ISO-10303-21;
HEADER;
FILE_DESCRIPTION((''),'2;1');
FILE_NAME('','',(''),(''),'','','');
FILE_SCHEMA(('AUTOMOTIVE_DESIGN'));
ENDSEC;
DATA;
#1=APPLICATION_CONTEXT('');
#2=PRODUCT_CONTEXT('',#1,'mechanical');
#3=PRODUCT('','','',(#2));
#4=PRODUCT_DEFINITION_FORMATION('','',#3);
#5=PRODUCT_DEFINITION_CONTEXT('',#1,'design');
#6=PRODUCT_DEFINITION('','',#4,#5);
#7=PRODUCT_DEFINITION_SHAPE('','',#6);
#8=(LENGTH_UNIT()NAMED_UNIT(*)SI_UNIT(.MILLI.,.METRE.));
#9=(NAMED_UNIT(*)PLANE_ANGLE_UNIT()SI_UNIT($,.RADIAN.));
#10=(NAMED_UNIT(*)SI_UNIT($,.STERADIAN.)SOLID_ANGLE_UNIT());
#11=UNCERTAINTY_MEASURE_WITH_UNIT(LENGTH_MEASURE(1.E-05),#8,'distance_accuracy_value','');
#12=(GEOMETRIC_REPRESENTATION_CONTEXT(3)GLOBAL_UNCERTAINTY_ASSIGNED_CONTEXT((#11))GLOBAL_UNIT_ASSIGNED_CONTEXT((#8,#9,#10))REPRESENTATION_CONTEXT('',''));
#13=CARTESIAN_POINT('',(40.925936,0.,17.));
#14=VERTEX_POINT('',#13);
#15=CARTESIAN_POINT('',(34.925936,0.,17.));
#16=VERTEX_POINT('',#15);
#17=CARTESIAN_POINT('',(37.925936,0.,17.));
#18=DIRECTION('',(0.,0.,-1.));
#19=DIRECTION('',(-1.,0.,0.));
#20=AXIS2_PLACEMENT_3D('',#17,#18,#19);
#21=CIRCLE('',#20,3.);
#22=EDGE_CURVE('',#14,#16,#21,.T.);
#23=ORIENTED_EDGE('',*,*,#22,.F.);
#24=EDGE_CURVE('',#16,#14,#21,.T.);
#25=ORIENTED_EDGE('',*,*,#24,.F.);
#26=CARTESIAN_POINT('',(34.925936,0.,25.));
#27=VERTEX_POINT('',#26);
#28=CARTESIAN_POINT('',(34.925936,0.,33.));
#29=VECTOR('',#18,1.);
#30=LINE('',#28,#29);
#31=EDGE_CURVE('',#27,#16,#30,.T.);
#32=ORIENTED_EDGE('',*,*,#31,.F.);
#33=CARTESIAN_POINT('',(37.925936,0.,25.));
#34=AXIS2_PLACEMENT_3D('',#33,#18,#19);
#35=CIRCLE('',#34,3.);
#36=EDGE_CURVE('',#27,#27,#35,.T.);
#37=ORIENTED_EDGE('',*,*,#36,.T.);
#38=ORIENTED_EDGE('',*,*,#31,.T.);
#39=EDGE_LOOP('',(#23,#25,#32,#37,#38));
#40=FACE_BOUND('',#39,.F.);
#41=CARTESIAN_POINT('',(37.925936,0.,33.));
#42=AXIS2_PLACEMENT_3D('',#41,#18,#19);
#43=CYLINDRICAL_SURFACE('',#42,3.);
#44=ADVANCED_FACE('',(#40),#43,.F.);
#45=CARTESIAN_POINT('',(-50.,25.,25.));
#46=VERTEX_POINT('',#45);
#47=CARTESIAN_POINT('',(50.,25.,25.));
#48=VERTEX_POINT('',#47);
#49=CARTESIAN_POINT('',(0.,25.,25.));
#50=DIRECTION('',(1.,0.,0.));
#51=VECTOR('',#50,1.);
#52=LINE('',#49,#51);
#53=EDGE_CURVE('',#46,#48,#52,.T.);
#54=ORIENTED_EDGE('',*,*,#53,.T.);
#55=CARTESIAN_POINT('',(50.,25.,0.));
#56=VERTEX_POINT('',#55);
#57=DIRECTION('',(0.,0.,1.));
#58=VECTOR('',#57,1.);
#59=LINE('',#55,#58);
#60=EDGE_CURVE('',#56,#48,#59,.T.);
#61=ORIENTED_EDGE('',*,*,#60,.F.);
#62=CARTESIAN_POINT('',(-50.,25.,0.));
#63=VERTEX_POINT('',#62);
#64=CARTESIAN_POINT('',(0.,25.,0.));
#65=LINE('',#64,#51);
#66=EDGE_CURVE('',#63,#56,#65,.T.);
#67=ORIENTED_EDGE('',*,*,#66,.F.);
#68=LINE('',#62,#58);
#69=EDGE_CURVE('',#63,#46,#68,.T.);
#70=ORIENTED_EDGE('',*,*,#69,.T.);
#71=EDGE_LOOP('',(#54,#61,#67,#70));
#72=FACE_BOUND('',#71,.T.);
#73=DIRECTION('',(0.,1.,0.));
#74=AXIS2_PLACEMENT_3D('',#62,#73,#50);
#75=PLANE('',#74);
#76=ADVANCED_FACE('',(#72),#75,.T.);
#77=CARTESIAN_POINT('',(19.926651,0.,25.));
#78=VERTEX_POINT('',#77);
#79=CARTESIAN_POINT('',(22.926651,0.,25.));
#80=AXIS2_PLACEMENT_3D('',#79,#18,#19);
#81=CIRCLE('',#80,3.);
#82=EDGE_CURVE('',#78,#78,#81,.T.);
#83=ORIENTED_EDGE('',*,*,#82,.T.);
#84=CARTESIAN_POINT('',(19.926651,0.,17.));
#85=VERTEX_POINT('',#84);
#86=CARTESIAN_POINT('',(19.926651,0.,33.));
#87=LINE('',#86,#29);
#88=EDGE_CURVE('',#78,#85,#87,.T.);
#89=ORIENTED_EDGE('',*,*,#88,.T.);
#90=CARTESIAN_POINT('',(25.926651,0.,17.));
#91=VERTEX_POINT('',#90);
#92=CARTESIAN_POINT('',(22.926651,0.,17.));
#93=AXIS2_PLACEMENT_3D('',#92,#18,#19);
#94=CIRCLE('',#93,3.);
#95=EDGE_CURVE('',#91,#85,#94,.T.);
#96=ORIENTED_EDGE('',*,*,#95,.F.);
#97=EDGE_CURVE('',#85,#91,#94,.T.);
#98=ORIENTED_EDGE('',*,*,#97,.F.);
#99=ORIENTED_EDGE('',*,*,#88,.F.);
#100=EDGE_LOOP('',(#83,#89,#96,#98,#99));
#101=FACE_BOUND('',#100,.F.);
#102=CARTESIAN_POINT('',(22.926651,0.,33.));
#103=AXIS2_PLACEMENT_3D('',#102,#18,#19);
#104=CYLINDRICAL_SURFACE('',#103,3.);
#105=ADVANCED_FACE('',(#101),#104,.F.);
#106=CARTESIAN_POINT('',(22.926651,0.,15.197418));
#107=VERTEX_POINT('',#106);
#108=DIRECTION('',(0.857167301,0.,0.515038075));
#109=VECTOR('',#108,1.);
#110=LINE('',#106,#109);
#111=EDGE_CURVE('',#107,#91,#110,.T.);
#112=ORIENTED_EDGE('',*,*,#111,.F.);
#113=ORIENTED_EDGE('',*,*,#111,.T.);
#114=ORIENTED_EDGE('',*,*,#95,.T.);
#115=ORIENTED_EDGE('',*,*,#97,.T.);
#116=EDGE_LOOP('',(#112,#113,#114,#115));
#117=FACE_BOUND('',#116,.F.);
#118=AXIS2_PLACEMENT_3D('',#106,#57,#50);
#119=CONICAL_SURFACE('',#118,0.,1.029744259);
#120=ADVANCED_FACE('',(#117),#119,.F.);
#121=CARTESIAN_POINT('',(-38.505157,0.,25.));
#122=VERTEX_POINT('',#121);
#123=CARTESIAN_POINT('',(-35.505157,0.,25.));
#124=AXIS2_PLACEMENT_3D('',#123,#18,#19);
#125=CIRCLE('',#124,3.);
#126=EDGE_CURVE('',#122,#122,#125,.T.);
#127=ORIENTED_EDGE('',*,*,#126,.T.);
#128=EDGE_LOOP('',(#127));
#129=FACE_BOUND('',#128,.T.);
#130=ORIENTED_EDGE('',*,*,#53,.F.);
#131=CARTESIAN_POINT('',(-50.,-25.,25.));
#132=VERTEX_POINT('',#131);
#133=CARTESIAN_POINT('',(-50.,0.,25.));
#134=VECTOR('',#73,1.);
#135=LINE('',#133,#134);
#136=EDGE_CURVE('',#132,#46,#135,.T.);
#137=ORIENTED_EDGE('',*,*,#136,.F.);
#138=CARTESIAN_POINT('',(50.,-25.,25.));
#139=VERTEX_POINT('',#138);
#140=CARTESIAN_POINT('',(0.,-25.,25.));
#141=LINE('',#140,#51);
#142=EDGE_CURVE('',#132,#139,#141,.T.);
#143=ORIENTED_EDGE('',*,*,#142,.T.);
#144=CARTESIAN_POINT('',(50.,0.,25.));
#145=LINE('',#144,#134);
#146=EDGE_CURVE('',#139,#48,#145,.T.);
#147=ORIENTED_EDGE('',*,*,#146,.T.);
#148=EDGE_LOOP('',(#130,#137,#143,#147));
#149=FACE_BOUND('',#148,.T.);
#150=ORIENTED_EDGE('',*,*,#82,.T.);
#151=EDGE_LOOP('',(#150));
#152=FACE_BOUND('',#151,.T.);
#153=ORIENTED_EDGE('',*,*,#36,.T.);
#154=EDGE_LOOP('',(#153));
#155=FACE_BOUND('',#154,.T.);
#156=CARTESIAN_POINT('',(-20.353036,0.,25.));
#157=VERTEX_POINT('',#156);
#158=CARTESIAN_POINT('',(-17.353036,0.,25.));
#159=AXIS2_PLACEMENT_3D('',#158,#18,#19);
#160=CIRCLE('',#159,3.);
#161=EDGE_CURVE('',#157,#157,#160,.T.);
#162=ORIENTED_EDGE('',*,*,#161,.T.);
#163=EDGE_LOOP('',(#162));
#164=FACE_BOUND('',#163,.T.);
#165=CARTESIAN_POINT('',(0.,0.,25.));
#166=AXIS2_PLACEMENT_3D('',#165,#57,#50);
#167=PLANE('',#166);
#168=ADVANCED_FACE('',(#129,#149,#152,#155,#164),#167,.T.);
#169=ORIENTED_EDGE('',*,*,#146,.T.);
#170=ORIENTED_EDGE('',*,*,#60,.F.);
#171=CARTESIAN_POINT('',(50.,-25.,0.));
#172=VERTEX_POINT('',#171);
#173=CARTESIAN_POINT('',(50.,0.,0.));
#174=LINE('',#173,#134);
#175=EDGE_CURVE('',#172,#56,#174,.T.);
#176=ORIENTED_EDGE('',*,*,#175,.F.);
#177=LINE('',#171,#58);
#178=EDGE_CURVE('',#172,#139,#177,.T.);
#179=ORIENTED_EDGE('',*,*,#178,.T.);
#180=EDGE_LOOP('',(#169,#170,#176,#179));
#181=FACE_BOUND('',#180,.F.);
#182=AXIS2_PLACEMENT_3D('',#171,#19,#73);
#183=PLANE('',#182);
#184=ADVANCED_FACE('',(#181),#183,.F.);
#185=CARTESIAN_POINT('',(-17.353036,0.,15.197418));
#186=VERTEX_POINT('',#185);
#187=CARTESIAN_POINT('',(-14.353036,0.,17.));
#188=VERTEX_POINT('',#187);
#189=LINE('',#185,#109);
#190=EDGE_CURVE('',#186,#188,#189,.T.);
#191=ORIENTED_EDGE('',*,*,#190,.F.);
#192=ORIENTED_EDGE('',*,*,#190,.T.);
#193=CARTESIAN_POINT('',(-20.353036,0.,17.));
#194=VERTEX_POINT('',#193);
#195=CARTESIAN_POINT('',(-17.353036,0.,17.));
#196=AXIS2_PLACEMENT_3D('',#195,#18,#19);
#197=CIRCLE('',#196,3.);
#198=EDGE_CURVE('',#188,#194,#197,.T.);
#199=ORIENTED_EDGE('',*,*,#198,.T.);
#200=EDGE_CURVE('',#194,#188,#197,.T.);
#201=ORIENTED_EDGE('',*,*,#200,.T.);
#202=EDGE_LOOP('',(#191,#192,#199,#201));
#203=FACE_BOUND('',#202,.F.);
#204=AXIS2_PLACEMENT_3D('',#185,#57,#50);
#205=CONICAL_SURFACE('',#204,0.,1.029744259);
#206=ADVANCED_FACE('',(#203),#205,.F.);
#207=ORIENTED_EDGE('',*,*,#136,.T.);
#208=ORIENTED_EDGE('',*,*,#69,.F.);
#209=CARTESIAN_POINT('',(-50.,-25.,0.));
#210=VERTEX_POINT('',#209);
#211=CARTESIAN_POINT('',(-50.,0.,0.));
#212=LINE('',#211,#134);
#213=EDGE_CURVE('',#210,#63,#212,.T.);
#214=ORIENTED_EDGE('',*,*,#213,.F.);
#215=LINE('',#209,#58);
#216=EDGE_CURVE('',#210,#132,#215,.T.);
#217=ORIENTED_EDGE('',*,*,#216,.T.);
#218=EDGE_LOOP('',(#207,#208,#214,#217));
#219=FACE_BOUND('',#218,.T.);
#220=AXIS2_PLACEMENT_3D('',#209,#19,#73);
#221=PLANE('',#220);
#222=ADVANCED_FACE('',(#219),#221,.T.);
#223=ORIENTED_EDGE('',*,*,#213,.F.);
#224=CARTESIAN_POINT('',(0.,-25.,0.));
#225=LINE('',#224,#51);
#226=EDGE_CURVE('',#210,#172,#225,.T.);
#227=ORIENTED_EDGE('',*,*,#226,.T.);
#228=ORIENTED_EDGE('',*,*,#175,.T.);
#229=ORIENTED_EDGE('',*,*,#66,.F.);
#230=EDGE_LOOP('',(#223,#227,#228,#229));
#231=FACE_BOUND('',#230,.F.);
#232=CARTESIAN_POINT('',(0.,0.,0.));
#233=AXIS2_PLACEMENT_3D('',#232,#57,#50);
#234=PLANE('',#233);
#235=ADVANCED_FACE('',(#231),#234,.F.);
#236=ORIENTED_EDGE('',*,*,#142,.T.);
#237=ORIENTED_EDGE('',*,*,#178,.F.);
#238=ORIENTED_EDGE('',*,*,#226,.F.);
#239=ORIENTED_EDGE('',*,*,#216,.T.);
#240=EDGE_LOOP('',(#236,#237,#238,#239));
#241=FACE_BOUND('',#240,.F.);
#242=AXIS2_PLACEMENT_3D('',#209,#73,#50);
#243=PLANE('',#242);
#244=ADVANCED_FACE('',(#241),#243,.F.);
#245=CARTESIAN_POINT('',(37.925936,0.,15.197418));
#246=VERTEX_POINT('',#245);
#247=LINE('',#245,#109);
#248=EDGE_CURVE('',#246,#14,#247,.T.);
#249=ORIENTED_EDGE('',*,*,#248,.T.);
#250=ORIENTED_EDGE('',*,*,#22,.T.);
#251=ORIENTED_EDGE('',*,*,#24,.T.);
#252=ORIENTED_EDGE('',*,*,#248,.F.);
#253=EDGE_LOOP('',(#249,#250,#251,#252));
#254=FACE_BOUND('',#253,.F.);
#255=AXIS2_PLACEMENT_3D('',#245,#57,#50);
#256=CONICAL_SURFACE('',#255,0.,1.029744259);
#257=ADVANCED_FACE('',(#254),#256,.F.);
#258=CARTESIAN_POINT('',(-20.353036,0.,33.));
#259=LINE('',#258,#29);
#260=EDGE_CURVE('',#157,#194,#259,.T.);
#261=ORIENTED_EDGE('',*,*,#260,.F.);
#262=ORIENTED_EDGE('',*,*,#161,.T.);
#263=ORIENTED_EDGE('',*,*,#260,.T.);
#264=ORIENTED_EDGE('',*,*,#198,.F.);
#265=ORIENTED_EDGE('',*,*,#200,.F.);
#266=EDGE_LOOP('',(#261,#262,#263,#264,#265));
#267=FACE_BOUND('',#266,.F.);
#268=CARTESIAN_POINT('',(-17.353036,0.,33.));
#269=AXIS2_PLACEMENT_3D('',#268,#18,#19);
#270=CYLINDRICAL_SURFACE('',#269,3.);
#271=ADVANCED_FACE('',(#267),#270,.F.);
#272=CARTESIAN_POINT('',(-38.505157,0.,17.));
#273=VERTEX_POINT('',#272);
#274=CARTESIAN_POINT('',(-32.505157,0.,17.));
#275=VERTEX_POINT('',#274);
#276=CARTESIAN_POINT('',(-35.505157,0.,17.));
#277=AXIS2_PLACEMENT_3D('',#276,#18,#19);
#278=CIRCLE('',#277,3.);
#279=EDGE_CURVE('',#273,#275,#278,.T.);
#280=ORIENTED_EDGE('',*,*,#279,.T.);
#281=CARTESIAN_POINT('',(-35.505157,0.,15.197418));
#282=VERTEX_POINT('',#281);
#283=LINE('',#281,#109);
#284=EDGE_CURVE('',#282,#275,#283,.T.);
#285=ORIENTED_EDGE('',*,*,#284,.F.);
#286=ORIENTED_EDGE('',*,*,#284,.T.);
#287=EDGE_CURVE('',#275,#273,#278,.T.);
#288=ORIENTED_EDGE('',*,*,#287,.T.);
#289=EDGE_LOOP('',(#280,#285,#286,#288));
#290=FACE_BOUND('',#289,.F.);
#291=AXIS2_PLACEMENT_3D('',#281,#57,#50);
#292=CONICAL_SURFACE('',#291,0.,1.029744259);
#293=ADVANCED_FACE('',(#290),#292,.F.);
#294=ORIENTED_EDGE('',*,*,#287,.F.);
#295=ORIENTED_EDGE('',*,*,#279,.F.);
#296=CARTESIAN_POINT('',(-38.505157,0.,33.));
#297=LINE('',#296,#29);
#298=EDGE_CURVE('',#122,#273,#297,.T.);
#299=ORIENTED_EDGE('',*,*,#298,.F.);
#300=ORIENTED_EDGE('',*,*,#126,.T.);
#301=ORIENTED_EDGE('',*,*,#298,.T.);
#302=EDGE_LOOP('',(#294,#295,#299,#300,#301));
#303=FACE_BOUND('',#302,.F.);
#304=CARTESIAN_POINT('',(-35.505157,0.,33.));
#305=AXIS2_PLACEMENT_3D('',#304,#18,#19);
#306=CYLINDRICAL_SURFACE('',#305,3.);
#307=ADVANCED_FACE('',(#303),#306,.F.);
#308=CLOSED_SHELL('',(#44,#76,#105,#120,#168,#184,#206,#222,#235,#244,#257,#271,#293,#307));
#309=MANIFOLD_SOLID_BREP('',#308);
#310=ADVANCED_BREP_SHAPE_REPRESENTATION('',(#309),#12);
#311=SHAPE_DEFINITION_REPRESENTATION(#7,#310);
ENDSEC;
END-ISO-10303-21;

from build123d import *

# Parameters (mm, degrees)
F0_W     = 100
F0_H     = 50
F1_DEPTH = 25
F3_D     = 6
F3_DEPTH = 8
F3_TIP   = 1.8025818571


with BuildPart() as f1:
    # F0 (on Top) → F1 (new body)
    with BuildSketch(Plane.XY):
        Rectangle(F0_W, F0_H)
    extrude(amount=F1_DEPTH)

    # F3
    with Locations(Plane.XY.offset(25)):
        with Locations((-35.5051569641, 0), (-17.3530355096, 0), (22.9266509414, 0), (37.9259362817, 0)):
            Hole(F3_D / 2, depth=F3_DEPTH)
            with Locations((0, 0, -(F3_DEPTH + F3_TIP / 2))):  # 118° drill point
                Cone(0, F3_D / 2, F3_TIP, mode=Mode.SUBTRACT)


solid = f1.part
